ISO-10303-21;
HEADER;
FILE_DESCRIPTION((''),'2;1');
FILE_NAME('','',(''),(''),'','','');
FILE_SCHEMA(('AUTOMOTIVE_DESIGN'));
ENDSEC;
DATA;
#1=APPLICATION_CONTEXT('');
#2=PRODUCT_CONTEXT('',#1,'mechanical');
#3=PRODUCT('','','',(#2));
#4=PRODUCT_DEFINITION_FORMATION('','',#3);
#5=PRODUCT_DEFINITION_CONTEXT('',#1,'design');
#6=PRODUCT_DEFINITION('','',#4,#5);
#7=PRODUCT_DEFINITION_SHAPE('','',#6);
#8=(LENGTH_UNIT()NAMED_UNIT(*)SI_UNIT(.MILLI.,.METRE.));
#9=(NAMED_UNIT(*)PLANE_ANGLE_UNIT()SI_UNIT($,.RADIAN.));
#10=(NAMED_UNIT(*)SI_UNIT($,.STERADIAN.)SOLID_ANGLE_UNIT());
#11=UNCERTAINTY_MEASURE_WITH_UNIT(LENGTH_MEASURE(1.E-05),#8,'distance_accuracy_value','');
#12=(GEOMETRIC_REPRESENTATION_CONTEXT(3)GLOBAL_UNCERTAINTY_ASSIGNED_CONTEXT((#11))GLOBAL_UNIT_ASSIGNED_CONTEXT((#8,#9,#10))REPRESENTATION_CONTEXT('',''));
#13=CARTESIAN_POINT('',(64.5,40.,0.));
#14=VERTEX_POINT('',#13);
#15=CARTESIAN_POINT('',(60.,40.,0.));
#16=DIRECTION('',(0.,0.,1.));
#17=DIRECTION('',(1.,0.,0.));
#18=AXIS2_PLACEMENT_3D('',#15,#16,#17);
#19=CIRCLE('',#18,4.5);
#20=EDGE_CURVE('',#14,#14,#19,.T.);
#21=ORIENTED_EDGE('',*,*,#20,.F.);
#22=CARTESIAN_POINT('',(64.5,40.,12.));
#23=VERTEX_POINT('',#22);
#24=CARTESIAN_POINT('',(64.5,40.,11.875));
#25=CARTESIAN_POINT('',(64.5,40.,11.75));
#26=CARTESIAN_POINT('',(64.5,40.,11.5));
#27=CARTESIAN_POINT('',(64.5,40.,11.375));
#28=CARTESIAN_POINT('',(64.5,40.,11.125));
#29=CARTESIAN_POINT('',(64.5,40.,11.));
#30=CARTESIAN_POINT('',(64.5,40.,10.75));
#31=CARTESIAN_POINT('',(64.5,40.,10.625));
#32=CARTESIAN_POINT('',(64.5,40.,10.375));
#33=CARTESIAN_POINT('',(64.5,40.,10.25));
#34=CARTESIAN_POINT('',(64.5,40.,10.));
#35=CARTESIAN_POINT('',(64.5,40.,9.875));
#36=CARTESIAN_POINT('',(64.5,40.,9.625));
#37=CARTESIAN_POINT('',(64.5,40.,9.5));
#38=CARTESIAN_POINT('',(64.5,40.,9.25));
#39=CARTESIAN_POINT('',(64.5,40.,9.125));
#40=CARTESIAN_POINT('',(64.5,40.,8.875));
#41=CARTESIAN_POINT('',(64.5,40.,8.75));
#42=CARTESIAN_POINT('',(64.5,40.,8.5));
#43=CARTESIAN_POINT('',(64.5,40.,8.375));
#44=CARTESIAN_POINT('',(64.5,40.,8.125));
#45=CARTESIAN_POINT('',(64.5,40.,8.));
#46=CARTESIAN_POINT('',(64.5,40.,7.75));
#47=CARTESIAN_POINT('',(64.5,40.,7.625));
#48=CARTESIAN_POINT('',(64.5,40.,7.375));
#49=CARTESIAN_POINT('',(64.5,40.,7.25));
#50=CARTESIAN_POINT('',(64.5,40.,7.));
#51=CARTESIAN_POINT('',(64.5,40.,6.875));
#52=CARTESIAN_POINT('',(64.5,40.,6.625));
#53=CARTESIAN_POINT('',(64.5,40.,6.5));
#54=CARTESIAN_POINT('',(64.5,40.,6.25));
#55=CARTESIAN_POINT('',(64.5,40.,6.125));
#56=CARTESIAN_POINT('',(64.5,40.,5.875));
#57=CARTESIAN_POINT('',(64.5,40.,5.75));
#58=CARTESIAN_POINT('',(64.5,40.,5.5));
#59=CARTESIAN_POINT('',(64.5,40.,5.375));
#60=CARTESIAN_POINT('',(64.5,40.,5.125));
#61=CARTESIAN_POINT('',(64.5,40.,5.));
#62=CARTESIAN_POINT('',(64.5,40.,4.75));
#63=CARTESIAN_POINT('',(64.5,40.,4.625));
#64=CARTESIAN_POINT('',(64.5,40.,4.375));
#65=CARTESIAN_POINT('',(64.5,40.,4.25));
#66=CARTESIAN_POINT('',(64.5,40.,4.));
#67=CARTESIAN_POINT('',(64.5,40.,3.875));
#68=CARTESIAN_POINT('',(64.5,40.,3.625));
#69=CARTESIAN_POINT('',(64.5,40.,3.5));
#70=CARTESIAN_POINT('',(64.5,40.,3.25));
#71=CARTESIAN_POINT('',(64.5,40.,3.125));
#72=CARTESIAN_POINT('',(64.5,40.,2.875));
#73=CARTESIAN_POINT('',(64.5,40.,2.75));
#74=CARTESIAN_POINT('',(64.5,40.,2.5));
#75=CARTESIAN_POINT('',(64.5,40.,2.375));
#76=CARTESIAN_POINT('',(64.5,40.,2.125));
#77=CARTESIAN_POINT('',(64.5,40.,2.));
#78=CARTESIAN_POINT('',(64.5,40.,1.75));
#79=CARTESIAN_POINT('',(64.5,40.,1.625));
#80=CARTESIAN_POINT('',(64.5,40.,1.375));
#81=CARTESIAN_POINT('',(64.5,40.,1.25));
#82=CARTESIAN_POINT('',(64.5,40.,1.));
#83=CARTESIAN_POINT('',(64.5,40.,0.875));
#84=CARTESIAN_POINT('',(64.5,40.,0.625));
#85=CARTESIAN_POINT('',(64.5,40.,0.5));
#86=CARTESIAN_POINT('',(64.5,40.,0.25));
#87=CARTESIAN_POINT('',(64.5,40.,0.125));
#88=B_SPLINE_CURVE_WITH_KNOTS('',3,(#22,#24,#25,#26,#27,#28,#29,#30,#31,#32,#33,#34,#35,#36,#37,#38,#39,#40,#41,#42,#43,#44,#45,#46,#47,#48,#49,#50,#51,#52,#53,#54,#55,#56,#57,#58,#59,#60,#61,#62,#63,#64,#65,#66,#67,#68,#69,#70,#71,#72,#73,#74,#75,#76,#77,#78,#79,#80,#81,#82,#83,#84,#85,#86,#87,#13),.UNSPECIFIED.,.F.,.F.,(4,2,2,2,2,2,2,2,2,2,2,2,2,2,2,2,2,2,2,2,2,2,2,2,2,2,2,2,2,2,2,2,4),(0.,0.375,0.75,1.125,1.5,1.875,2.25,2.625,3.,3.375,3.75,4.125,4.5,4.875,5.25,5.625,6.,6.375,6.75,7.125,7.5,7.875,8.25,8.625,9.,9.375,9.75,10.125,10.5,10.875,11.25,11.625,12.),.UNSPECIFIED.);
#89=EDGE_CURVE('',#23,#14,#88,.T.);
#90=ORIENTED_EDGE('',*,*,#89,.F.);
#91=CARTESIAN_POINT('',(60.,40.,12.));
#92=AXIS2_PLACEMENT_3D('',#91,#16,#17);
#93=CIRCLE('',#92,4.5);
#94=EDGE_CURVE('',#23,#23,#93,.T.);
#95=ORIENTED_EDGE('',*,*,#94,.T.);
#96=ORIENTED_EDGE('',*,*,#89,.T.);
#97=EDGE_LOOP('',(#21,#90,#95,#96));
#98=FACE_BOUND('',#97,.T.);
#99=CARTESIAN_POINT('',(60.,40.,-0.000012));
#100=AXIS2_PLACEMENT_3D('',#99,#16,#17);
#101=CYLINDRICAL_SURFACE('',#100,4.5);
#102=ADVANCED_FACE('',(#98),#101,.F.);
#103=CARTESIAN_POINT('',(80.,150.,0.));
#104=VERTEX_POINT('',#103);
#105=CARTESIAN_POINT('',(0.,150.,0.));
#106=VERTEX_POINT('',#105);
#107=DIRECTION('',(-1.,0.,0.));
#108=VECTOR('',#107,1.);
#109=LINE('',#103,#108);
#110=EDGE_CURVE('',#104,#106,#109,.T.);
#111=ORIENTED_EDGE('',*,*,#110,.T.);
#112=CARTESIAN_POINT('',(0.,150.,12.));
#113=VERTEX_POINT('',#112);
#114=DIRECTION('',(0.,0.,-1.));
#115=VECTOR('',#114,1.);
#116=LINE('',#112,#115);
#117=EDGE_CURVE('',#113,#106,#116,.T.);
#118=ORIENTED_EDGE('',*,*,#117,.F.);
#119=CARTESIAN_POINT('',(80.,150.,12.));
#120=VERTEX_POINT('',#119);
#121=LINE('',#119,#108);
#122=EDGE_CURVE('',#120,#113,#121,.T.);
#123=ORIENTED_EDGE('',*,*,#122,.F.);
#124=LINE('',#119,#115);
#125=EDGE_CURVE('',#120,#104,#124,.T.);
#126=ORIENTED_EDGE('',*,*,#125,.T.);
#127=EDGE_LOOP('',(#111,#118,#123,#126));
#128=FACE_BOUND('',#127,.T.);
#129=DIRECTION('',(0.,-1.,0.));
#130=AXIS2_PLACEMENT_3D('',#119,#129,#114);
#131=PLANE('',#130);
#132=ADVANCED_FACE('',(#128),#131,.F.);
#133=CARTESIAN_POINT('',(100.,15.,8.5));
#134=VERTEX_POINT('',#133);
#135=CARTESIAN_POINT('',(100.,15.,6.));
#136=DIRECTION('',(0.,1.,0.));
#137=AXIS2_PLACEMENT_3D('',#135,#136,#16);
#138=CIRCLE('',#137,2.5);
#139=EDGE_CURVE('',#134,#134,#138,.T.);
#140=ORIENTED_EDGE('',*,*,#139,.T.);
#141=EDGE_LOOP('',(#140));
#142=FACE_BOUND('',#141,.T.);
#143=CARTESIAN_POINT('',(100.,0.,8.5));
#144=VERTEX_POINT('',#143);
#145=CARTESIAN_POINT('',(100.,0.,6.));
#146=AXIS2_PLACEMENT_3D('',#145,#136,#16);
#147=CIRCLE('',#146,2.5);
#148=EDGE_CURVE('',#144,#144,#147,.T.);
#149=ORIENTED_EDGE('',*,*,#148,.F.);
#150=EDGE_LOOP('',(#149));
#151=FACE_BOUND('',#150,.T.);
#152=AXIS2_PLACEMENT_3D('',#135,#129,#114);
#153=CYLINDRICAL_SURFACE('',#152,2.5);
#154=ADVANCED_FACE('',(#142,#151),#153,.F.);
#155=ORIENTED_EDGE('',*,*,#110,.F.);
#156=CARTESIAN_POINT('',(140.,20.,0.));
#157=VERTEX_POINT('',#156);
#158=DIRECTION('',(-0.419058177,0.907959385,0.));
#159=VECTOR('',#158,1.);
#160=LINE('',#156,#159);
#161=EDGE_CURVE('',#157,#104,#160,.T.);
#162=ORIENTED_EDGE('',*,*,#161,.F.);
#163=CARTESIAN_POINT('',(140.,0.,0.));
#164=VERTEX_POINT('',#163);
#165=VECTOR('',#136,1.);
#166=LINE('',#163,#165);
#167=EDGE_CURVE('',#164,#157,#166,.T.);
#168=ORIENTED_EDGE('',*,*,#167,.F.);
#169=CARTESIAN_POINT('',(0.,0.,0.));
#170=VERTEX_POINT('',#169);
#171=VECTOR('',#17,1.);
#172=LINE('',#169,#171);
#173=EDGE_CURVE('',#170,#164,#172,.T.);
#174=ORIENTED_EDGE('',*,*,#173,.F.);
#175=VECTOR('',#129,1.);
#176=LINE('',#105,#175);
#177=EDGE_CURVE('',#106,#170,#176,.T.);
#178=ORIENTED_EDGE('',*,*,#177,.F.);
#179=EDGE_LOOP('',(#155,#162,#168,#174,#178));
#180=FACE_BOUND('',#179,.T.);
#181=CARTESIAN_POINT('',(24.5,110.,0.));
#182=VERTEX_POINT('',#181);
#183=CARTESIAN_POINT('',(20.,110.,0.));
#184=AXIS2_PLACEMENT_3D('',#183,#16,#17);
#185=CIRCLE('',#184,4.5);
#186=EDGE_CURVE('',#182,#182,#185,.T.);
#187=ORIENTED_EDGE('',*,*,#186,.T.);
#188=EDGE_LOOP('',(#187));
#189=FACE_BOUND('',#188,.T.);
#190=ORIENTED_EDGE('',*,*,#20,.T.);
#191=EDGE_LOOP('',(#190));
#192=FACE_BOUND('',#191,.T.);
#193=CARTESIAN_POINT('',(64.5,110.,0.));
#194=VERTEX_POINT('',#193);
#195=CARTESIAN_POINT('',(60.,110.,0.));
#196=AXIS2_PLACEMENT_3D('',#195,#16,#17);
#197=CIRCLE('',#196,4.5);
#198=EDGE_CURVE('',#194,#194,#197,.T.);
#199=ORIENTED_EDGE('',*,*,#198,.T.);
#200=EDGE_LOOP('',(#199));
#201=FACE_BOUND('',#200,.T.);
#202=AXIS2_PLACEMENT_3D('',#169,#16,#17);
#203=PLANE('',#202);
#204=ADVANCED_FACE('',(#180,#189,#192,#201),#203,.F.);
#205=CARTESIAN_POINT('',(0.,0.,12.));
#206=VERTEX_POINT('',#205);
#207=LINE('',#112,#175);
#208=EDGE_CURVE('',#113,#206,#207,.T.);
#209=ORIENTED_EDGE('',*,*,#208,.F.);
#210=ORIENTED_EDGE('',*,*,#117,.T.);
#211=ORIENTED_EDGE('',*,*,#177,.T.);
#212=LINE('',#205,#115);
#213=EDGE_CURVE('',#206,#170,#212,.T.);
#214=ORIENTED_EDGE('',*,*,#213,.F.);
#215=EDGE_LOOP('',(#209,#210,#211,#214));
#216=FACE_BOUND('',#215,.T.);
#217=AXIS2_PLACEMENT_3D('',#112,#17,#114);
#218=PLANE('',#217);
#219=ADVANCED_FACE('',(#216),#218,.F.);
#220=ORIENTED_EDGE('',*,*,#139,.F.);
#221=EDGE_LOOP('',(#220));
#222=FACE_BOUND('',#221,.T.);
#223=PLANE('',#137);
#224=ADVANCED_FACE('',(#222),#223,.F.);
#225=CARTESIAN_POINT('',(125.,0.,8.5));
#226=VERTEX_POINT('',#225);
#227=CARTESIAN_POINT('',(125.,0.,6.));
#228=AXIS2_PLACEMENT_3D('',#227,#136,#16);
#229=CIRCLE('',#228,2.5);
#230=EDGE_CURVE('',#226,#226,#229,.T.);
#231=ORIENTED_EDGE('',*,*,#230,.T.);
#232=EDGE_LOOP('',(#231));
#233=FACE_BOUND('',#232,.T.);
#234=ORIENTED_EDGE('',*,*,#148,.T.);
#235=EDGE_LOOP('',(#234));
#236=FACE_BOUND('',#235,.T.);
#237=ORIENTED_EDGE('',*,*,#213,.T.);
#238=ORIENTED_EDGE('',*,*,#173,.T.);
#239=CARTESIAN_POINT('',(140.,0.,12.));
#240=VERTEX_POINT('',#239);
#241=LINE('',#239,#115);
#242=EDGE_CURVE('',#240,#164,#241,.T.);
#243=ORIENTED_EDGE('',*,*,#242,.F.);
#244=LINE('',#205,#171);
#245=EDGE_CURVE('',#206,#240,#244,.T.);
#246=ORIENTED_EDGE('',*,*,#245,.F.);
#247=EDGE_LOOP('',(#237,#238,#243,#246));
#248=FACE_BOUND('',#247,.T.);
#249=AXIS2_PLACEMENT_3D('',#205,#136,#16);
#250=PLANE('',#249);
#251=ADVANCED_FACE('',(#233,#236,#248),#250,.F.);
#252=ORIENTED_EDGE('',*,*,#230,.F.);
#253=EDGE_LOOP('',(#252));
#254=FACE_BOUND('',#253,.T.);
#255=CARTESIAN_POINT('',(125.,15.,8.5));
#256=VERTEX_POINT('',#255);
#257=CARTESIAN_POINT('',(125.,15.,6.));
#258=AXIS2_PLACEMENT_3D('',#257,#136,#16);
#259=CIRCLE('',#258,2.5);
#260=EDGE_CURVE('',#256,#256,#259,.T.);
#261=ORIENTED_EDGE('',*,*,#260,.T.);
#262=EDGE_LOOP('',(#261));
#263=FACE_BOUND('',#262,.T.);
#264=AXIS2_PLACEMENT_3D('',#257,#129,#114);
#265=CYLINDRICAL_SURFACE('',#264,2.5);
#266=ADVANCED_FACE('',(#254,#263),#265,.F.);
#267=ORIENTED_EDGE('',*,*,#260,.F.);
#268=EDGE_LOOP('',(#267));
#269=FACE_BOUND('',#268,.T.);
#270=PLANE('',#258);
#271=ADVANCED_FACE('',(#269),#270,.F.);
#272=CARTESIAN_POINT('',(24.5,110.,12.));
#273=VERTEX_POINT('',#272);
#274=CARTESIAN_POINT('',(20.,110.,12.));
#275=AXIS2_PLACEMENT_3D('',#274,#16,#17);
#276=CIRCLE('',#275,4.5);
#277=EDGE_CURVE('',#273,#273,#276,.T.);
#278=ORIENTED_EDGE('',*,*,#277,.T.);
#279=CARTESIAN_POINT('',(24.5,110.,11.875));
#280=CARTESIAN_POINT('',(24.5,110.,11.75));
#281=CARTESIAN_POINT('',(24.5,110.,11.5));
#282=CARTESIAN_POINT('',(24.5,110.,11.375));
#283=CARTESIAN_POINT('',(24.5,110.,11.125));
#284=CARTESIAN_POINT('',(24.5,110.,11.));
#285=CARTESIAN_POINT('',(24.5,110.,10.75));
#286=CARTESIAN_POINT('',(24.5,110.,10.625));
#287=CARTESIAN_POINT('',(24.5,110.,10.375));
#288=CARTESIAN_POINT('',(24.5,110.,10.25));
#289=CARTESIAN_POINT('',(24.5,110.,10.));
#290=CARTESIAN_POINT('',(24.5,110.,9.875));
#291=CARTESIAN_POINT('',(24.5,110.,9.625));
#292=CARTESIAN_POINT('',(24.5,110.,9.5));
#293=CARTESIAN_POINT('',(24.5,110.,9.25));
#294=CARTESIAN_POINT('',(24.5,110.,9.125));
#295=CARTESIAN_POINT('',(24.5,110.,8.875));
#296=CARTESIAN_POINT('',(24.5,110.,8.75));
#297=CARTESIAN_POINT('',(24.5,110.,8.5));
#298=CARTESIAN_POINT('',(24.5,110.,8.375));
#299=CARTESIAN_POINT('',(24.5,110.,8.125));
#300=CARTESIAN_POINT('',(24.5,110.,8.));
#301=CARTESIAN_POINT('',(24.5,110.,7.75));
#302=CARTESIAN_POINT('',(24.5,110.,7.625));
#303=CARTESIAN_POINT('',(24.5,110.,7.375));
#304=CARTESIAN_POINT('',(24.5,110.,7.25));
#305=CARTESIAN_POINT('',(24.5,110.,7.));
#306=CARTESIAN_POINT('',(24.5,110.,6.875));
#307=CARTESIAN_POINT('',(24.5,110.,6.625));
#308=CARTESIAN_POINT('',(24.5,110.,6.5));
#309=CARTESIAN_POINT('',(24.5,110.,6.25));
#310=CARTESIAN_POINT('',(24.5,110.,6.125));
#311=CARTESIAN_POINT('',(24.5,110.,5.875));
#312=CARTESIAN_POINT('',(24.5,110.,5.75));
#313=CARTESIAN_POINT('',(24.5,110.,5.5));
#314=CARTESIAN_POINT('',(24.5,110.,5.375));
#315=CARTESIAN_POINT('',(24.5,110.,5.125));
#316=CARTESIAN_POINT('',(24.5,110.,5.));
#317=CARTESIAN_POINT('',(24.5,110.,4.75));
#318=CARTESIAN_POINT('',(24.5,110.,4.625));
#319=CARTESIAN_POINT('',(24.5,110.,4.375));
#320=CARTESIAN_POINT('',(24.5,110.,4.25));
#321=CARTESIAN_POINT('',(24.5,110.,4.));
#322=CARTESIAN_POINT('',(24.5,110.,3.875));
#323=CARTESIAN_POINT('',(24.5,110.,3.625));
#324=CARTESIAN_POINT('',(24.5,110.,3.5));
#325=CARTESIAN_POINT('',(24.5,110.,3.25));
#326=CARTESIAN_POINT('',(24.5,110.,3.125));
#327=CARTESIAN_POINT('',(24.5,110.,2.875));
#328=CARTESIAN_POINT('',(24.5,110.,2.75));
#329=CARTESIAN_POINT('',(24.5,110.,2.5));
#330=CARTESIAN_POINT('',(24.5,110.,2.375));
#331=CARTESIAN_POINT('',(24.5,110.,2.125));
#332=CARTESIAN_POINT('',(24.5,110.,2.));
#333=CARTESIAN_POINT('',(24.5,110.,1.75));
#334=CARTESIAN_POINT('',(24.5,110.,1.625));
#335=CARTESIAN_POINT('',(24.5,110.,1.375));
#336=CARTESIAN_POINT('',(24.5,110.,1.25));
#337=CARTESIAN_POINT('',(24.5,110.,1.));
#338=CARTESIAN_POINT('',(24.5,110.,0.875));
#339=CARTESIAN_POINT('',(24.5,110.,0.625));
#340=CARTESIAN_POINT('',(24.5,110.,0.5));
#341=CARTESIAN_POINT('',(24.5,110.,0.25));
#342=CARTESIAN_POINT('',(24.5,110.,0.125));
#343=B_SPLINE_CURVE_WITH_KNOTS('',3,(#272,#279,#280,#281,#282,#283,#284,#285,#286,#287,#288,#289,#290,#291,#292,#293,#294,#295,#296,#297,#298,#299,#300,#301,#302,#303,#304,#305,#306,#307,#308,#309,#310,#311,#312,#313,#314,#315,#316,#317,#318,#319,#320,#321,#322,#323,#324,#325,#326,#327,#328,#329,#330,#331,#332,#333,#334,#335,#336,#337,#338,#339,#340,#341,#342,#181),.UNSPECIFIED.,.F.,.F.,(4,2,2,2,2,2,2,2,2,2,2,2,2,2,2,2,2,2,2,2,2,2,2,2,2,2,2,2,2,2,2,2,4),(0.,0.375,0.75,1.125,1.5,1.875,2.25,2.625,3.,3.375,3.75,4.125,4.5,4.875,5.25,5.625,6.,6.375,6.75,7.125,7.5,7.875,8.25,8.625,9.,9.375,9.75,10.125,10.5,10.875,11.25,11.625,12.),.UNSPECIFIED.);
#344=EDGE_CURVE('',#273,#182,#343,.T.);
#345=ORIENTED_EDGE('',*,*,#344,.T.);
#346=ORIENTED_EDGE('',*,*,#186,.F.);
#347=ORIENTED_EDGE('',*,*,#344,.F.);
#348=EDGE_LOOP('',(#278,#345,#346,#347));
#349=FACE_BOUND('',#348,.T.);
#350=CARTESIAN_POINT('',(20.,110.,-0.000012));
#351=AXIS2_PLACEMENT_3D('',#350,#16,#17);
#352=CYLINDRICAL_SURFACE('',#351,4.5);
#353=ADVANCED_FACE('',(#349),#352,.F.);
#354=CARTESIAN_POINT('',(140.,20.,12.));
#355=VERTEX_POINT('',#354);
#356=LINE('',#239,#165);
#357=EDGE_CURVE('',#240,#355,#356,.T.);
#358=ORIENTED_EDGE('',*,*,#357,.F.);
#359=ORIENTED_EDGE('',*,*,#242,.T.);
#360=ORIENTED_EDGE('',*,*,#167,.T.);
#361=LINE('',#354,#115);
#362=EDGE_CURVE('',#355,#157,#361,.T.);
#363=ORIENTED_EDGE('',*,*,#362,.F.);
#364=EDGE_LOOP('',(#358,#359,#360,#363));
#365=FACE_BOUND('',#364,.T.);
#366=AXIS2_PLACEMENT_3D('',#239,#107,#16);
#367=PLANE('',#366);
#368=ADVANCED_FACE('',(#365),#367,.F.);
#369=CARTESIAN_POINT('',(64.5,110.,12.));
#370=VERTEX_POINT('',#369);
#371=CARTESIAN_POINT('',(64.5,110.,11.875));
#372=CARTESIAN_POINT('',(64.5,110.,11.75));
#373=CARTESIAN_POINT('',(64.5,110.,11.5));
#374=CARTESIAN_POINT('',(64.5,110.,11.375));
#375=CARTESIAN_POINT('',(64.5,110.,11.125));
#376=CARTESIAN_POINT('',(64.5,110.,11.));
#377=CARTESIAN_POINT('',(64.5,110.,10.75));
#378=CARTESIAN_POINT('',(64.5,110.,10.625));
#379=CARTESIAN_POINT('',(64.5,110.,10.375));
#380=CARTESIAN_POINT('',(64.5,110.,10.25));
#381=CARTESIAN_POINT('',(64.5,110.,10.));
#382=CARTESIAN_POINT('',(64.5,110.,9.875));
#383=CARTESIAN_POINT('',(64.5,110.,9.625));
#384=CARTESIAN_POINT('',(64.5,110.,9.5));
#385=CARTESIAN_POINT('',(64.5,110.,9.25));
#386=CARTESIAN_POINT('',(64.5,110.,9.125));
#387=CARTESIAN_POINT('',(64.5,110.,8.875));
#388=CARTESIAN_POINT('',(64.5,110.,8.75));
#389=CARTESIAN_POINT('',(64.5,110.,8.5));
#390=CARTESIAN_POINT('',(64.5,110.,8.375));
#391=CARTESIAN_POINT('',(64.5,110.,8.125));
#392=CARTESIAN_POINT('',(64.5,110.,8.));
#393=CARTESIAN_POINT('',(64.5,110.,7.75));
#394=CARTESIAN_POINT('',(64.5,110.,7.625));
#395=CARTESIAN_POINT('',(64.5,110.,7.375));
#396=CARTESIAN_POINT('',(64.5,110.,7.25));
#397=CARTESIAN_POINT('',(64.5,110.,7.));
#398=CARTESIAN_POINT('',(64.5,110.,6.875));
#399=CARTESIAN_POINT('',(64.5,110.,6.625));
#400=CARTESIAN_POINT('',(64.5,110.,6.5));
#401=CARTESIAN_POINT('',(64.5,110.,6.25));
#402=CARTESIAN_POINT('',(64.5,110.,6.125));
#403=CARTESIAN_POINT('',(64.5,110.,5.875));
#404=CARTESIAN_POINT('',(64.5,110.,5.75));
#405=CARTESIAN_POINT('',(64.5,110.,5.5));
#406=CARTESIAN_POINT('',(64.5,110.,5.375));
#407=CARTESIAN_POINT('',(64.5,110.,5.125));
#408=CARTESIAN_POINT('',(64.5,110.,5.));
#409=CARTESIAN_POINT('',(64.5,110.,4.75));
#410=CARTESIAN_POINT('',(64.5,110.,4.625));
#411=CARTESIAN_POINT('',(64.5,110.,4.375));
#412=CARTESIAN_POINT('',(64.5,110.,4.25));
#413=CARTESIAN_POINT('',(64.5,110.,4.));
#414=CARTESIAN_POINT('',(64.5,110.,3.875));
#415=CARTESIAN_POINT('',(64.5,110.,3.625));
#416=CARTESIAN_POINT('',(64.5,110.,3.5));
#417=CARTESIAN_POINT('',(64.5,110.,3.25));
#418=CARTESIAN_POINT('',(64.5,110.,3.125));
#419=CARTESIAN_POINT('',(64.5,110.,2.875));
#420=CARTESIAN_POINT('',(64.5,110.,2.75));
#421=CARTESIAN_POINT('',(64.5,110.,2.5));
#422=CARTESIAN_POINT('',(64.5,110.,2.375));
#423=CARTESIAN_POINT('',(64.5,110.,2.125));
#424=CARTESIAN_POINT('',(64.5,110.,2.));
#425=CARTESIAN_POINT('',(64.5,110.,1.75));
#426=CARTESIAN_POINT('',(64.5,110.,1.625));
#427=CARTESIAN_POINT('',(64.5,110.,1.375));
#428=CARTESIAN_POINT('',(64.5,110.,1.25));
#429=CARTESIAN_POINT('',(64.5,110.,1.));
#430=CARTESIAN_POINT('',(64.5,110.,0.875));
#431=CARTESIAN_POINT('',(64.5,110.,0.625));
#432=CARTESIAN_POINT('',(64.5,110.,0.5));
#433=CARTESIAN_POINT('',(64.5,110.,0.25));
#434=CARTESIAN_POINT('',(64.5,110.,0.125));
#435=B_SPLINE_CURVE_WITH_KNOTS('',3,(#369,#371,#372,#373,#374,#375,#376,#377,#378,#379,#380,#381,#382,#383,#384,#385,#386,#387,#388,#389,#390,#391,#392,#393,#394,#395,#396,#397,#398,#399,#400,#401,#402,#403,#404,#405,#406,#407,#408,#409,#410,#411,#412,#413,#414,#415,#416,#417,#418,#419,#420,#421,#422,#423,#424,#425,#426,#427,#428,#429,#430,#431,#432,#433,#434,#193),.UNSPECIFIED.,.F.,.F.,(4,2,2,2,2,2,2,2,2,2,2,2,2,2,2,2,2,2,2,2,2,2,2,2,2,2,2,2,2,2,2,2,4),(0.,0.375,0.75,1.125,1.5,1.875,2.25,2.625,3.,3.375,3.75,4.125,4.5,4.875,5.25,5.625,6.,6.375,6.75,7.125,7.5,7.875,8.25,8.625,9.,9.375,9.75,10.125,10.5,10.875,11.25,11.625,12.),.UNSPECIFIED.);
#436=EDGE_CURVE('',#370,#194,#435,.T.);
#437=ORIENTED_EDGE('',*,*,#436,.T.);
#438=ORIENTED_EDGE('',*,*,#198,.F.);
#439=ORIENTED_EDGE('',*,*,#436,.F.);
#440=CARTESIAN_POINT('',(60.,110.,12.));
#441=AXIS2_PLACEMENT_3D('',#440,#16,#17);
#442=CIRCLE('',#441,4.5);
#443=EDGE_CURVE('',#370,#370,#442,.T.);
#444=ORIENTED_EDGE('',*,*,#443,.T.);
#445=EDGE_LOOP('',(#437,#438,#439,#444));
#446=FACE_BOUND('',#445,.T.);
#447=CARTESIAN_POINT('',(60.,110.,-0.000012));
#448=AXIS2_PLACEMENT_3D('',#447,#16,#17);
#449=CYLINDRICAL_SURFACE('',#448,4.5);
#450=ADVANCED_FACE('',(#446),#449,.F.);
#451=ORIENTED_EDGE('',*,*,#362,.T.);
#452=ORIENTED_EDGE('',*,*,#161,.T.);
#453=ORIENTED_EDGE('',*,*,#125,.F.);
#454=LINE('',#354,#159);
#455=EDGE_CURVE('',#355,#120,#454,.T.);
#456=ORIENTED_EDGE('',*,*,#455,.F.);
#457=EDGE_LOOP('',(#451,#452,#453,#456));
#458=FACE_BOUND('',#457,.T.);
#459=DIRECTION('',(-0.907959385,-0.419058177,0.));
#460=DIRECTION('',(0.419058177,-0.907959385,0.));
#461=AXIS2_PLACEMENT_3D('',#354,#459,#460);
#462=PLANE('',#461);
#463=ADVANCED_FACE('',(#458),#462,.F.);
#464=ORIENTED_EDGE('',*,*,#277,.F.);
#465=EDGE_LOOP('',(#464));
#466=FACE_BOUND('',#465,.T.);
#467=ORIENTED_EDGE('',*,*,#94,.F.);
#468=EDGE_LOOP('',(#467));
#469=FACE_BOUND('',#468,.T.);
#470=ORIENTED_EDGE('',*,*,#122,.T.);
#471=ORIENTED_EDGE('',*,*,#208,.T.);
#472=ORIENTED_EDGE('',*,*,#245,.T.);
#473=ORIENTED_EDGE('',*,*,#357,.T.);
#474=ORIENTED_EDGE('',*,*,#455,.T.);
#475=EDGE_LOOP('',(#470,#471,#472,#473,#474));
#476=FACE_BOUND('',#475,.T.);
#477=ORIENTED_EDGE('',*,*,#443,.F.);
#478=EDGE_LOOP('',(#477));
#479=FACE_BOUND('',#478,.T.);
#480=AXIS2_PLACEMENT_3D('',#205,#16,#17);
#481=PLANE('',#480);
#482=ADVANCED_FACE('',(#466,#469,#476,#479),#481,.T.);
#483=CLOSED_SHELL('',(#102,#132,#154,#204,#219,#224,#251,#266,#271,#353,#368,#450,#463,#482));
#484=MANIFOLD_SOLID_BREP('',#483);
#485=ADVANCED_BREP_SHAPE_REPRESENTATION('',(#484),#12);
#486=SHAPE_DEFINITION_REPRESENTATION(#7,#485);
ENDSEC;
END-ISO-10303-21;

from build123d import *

# Parameters (mm, degrees)
BOSS_EXTRUDE1_DEPTH     = 12
CUT_EXTRUDE1_DEPTH      = 206.533452265
CUT_EXTRUDE1_DEPTH_BACK = 206.533452265
SKETCH2_R               = 4.5
SKETCH3_R               = 2.5
CUT_EXTRUDE3_DEPTH      = 15


with BuildPart() as part:
    # Sketch1 → Boss-Extrude1 (new body)
    with BuildSketch(Plane.XY):
        Polygon((0, 0), (140, 0), (140, 20), (80, 150), (0, 150), align=None)
    extrude(amount=BOSS_EXTRUDE1_DEPTH)

    # Sketch2 → Cut-Extrude1 (cut, two sides: drawn at the far end of the back side and taken through both)
    with BuildSketch(Plane.XY.offset(-CUT_EXTRUDE1_DEPTH_BACK)):
        with Locations((20, 110)):
            Circle(SKETCH2_R)
        with Locations((60, 110)):
            Circle(SKETCH2_R)
        with Locations((60, 40)):
            Circle(SKETCH2_R)
    extrude(amount=CUT_EXTRUDE1_DEPTH + CUT_EXTRUDE1_DEPTH_BACK, mode=Mode.SUBTRACT)

    # Sketch3 → Cut-Extrude3 (cut)
    with BuildSketch(Plane(origin=(0, 0, 0), x_dir=(1, 0, 0), z_dir=(0, 1, 0))):
        with Locations(Location((100, -6, 0), (0, 0, 270))):
            Circle(SKETCH3_R)
        with Locations(Location((125, -6, 0), (0, 0, 270))):
            Circle(SKETCH3_R)
    extrude(amount=CUT_EXTRUDE3_DEPTH, mode=Mode.SUBTRACT)


solid = part.part
